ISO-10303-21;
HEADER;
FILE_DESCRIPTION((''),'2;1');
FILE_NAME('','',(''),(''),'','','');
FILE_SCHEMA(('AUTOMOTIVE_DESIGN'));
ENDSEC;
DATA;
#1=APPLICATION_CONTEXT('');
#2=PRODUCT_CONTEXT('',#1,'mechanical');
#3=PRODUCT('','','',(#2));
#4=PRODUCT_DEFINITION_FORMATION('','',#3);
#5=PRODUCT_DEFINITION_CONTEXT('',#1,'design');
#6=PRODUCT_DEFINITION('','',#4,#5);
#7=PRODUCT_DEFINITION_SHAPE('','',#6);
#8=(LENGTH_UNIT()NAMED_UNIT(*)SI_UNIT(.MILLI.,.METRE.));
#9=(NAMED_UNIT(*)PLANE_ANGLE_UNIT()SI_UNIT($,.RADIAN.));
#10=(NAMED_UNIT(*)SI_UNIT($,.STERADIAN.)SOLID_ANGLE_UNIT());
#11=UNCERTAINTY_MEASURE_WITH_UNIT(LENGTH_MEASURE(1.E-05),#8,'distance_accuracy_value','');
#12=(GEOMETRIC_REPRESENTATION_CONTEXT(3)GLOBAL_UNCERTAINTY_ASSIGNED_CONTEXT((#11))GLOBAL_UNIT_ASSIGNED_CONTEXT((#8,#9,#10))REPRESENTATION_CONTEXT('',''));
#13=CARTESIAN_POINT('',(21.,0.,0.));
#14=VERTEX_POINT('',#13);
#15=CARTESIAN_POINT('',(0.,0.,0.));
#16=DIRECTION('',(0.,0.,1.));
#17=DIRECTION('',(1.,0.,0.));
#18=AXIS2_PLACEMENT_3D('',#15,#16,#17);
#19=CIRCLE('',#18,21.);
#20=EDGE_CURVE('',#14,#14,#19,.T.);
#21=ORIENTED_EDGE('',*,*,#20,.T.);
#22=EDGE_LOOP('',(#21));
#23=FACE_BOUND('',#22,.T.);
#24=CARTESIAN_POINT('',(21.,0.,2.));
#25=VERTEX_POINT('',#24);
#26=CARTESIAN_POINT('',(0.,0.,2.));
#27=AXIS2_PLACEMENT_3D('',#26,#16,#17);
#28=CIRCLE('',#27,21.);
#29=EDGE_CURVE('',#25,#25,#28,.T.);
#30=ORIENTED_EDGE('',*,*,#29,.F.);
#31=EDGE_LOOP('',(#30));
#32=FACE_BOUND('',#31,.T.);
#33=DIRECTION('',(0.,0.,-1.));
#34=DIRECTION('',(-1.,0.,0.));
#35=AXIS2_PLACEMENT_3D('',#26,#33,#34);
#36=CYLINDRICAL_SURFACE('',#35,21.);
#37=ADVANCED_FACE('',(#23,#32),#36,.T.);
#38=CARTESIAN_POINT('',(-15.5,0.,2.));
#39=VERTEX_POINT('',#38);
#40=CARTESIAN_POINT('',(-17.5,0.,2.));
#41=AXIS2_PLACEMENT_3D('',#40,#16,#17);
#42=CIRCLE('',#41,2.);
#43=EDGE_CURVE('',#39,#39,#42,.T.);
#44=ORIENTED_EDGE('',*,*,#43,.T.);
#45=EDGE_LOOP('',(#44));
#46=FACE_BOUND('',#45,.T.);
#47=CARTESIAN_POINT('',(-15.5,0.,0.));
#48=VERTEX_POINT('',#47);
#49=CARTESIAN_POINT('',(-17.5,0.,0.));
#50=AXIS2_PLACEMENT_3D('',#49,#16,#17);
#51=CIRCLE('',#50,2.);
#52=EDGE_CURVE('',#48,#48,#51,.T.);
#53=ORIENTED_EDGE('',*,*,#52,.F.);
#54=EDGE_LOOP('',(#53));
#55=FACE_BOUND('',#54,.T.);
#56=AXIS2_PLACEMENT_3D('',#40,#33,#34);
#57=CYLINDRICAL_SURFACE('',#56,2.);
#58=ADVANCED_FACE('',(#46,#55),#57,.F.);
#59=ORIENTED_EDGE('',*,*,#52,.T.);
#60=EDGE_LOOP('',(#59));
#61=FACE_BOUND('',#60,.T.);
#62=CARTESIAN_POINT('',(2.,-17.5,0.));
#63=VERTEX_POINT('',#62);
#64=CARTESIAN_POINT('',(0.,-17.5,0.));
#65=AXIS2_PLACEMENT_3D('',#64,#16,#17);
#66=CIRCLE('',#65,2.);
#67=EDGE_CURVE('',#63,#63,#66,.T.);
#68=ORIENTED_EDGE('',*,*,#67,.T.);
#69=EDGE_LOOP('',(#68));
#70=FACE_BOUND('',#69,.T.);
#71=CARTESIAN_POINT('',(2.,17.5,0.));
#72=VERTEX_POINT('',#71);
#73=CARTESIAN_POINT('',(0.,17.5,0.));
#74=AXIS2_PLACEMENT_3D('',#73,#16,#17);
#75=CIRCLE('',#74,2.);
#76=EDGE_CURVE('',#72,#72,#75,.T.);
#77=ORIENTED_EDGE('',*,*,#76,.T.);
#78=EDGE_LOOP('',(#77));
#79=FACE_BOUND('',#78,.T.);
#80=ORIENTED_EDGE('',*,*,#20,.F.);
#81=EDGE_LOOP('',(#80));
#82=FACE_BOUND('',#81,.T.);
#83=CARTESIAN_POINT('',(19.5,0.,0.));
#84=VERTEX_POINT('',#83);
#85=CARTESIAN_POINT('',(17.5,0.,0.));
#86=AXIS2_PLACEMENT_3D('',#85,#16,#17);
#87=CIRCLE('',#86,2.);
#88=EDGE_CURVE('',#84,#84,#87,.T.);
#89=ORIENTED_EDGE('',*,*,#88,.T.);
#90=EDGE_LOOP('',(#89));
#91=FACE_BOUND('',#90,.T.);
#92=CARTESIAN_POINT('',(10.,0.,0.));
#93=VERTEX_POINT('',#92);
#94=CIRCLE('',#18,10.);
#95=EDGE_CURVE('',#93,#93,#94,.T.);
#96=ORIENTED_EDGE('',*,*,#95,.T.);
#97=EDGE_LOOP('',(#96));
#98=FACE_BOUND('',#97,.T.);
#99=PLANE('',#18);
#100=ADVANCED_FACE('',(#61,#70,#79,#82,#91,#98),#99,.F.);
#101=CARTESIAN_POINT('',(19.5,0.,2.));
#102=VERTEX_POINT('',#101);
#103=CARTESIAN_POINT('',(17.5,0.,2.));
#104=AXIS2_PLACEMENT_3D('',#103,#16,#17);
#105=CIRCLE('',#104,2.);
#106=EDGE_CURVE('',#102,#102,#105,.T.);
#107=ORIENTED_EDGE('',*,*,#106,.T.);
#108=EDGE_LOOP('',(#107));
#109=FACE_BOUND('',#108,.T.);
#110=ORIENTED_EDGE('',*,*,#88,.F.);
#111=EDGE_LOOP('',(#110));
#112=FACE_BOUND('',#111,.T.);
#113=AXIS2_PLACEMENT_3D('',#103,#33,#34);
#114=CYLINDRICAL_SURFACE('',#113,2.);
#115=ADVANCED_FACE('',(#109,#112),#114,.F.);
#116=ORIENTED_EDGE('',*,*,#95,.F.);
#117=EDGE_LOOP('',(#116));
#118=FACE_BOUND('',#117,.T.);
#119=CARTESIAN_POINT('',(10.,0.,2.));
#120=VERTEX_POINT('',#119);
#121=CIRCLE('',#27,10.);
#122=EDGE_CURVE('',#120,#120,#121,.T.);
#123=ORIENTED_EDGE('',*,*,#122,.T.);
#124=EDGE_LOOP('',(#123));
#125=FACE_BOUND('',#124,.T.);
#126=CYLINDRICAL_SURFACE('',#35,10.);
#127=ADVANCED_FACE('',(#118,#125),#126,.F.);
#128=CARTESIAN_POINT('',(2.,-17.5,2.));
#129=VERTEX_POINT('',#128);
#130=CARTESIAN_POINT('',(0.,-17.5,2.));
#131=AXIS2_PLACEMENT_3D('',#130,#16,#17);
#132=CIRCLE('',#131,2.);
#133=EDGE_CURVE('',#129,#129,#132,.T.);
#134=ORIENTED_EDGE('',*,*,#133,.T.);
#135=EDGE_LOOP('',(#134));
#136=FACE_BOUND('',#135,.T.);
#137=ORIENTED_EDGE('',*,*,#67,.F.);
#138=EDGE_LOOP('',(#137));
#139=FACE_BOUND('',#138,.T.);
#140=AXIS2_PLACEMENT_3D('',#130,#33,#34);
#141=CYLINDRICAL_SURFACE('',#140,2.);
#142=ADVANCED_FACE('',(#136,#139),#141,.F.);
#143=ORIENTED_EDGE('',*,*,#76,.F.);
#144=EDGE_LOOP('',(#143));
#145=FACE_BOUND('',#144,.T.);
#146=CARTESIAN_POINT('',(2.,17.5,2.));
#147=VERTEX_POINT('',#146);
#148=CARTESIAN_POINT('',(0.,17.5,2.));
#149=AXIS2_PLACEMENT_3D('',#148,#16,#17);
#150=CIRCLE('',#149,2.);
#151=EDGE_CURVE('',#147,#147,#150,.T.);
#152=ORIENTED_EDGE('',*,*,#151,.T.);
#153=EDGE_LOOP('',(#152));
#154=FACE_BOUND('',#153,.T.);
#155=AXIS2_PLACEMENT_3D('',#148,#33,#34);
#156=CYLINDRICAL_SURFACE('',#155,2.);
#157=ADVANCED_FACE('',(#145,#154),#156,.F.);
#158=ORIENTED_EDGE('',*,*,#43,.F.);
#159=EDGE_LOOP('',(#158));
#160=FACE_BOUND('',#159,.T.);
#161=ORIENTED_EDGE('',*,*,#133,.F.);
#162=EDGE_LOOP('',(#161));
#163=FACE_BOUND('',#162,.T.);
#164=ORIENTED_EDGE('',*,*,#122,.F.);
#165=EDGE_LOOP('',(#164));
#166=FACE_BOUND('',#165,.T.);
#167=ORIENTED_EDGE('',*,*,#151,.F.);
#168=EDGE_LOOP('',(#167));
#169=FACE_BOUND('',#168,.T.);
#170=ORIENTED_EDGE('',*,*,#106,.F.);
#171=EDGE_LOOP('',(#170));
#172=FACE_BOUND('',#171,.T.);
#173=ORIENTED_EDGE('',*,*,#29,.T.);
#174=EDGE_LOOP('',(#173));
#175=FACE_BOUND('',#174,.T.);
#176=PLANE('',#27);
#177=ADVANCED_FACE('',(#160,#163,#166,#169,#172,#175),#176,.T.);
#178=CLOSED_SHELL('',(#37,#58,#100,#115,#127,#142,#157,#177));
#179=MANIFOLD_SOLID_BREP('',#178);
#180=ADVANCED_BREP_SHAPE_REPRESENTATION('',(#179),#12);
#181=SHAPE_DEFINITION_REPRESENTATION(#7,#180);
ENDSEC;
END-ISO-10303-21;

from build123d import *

# Parameters (mm, degrees)
SKETCH_1_R      = 21
SKETCH_1_R_2    = 10
SKETCH_1_R_3    = 2
EXTRUDE_1_DEPTH = 2


with BuildPart() as part:
    # 草图1 → 凸台-拉伸1 (new body)
    with BuildSketch(Plane.XY):
        Circle(SKETCH_1_R)
        Circle(SKETCH_1_R_2, mode=Mode.SUBTRACT)
        with Locations((0, 17.5)):
            Circle(SKETCH_1_R_3, mode=Mode.SUBTRACT)
        with Locations((-17.5, 0)):
            Circle(SKETCH_1_R_3, mode=Mode.SUBTRACT)
        with Locations((0, -17.5)):
            Circle(SKETCH_1_R_3, mode=Mode.SUBTRACT)
        with Locations((17.5, 0)):
            Circle(SKETCH_1_R_3, mode=Mode.SUBTRACT)
    extrude(amount=EXTRUDE_1_DEPTH)


solid = part.part
